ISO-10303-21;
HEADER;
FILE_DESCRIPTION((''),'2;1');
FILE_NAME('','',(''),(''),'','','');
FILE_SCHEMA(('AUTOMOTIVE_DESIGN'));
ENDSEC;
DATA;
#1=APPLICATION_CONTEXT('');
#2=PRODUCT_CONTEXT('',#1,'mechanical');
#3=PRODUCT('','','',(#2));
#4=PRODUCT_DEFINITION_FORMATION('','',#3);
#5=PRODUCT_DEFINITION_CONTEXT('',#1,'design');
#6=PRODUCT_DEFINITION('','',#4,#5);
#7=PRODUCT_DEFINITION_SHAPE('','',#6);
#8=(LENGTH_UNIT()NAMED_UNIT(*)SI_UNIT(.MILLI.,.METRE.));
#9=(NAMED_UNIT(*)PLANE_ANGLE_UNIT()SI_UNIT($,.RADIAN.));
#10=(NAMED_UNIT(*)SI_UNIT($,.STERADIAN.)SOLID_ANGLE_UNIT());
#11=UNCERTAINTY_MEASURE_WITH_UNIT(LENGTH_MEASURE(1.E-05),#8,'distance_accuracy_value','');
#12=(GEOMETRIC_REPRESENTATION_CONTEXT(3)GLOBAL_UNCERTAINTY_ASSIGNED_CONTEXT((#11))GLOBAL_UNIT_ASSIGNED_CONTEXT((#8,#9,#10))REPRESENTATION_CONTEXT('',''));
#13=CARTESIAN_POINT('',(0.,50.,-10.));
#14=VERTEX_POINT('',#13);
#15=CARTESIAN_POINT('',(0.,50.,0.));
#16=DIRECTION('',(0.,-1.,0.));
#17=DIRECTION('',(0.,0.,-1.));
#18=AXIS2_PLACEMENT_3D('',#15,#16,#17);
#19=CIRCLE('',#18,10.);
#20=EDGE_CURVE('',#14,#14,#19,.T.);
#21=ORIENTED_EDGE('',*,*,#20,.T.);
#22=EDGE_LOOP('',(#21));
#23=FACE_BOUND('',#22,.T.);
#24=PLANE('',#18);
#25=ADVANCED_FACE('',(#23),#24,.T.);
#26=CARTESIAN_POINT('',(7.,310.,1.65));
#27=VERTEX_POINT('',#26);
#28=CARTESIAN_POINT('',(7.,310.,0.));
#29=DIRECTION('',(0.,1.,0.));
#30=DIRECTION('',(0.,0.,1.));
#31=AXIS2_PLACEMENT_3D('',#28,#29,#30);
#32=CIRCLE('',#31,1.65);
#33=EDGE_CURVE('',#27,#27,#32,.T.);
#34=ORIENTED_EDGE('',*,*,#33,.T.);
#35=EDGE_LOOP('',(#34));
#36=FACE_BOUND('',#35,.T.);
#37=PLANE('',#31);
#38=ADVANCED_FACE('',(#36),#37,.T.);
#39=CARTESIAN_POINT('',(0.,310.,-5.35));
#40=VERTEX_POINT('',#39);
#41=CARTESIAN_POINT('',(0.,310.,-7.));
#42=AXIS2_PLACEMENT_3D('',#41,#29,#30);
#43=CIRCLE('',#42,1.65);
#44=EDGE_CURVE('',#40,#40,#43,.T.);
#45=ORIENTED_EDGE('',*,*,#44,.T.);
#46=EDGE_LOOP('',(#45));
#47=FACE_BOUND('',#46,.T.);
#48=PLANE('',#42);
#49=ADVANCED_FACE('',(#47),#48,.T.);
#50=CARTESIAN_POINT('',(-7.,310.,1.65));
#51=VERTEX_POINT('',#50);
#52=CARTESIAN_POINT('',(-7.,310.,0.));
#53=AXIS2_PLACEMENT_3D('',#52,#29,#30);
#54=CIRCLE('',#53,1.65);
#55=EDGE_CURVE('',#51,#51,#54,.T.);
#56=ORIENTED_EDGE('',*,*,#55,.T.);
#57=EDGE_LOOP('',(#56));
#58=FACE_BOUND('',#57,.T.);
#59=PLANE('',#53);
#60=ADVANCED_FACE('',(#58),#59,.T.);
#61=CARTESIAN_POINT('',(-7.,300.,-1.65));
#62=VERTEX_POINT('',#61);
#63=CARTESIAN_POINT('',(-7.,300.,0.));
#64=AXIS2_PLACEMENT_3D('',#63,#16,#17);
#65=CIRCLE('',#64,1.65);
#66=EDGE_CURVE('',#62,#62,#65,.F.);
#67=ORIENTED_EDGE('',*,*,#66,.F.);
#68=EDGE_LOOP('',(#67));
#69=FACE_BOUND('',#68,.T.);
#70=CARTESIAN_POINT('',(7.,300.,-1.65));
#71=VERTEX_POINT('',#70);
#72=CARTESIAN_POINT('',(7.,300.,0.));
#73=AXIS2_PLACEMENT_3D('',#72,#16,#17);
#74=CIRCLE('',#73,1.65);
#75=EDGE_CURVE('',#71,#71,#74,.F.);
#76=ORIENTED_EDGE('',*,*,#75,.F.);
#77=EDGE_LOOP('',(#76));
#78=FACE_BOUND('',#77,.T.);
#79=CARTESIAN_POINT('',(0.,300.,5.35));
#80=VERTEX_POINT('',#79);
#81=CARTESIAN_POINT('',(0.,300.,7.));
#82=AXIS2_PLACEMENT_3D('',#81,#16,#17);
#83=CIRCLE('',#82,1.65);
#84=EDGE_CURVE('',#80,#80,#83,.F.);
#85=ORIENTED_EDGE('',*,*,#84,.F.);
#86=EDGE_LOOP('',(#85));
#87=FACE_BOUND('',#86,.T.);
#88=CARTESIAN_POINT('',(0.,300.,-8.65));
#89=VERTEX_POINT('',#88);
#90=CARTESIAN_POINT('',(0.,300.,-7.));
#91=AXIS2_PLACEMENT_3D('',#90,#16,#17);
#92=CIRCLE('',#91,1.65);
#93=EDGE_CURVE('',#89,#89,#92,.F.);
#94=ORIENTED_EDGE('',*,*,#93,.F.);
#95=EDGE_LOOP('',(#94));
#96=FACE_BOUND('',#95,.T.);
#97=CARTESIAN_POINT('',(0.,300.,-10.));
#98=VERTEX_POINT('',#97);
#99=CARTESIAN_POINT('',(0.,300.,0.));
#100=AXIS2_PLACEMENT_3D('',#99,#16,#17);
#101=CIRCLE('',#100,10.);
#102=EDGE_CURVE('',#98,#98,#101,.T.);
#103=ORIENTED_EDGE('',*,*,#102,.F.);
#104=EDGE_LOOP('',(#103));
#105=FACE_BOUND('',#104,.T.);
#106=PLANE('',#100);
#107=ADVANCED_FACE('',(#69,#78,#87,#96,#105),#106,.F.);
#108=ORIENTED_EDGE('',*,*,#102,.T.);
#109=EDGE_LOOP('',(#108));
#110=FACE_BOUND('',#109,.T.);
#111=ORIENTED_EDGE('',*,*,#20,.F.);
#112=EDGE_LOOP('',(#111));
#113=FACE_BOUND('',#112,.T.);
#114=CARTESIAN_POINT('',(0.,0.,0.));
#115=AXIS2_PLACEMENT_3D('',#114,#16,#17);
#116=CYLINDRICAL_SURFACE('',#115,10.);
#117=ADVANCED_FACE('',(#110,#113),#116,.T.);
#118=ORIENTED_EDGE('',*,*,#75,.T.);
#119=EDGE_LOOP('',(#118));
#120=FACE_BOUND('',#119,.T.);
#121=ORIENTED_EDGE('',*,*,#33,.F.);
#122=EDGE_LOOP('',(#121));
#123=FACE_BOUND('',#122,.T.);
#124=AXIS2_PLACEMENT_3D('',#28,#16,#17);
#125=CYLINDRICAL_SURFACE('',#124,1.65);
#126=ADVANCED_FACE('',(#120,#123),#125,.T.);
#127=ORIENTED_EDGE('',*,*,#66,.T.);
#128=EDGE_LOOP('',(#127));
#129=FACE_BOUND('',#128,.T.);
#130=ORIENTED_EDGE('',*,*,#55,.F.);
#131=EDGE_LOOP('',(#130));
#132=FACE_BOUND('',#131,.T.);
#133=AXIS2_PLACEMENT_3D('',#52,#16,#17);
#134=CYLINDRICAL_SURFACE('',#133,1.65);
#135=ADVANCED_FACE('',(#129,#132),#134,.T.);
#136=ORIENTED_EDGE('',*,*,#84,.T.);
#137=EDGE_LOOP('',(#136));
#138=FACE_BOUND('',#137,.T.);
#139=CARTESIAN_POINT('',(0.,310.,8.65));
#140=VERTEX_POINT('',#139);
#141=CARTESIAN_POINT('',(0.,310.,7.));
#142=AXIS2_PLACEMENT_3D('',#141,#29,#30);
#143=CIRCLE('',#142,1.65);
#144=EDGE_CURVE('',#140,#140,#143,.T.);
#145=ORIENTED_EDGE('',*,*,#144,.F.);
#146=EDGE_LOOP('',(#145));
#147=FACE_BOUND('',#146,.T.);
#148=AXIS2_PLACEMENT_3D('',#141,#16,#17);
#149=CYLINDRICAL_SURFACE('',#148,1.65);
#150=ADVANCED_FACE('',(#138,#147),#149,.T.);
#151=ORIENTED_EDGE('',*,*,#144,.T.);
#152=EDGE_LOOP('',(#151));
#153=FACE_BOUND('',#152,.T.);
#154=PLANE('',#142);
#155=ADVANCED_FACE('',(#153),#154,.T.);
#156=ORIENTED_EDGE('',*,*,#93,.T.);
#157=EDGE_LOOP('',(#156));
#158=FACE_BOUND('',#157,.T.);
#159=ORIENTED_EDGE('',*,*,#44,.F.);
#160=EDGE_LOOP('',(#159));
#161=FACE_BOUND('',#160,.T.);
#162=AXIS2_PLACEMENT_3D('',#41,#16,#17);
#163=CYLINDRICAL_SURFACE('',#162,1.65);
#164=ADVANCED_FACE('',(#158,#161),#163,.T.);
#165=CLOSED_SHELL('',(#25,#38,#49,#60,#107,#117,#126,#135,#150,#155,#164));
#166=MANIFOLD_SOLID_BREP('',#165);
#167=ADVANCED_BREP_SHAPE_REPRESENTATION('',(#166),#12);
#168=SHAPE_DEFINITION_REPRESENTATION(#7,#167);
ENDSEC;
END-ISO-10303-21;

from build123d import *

# Parameters (mm, degrees)
SKETCH_1_W          = 10
SKETCH_1_H          = 300
SKETCH_2_R          = 1.65
EXTRUDE_1_DEPTH     = 10
SKETCH_3_R          = 10
CUT_EXTRUDE_1_DEPTH = 50


with BuildPart() as part:
    # 草图1 → 旋转1 (revolve)
    with BuildSketch(Plane.XY, mode=Mode.PRIVATE) as revolve_1_sk:
        with Locations((5, 150)):
            Rectangle(SKETCH_1_W, SKETCH_1_H)
    revolve(revolve_1_sk.sketch.rotate(Axis((0, 0, 0), (0, 1, 0)), 90), axis=Axis((0, 0, 0), (0, 1, 0)))

    # 草图2 → 凸台-拉伸1 (add)
    with BuildSketch(Plane(origin=(0, 300, 0), x_dir=(1, 0, 0), z_dir=(0, 1, 0))):
        with Locations(Location((7, 0, 0), (0, 0, 90))):
            Circle(SKETCH_2_R)
        with Locations(Location((0, -7, 0), (0, 0, 90))):
            Circle(SKETCH_2_R)
        with Locations(Location((-7, 0, 0), (0, 0, 90))):
            Circle(SKETCH_2_R)
        with Locations(Location((0, 7, 0), (0, 0, 90))):
            Circle(SKETCH_2_R)
    extrude(amount=EXTRUDE_1_DEPTH)

    # 草图3 → 切除-拉伸1 (cut)
    with BuildSketch(Plane.XZ):
        with Locations(Location((0, 0, 0), (0, 0, 270))):
            Circle(SKETCH_3_R)
    extrude(amount=-CUT_EXTRUDE_1_DEPTH, mode=Mode.SUBTRACT)


solid = part.part
